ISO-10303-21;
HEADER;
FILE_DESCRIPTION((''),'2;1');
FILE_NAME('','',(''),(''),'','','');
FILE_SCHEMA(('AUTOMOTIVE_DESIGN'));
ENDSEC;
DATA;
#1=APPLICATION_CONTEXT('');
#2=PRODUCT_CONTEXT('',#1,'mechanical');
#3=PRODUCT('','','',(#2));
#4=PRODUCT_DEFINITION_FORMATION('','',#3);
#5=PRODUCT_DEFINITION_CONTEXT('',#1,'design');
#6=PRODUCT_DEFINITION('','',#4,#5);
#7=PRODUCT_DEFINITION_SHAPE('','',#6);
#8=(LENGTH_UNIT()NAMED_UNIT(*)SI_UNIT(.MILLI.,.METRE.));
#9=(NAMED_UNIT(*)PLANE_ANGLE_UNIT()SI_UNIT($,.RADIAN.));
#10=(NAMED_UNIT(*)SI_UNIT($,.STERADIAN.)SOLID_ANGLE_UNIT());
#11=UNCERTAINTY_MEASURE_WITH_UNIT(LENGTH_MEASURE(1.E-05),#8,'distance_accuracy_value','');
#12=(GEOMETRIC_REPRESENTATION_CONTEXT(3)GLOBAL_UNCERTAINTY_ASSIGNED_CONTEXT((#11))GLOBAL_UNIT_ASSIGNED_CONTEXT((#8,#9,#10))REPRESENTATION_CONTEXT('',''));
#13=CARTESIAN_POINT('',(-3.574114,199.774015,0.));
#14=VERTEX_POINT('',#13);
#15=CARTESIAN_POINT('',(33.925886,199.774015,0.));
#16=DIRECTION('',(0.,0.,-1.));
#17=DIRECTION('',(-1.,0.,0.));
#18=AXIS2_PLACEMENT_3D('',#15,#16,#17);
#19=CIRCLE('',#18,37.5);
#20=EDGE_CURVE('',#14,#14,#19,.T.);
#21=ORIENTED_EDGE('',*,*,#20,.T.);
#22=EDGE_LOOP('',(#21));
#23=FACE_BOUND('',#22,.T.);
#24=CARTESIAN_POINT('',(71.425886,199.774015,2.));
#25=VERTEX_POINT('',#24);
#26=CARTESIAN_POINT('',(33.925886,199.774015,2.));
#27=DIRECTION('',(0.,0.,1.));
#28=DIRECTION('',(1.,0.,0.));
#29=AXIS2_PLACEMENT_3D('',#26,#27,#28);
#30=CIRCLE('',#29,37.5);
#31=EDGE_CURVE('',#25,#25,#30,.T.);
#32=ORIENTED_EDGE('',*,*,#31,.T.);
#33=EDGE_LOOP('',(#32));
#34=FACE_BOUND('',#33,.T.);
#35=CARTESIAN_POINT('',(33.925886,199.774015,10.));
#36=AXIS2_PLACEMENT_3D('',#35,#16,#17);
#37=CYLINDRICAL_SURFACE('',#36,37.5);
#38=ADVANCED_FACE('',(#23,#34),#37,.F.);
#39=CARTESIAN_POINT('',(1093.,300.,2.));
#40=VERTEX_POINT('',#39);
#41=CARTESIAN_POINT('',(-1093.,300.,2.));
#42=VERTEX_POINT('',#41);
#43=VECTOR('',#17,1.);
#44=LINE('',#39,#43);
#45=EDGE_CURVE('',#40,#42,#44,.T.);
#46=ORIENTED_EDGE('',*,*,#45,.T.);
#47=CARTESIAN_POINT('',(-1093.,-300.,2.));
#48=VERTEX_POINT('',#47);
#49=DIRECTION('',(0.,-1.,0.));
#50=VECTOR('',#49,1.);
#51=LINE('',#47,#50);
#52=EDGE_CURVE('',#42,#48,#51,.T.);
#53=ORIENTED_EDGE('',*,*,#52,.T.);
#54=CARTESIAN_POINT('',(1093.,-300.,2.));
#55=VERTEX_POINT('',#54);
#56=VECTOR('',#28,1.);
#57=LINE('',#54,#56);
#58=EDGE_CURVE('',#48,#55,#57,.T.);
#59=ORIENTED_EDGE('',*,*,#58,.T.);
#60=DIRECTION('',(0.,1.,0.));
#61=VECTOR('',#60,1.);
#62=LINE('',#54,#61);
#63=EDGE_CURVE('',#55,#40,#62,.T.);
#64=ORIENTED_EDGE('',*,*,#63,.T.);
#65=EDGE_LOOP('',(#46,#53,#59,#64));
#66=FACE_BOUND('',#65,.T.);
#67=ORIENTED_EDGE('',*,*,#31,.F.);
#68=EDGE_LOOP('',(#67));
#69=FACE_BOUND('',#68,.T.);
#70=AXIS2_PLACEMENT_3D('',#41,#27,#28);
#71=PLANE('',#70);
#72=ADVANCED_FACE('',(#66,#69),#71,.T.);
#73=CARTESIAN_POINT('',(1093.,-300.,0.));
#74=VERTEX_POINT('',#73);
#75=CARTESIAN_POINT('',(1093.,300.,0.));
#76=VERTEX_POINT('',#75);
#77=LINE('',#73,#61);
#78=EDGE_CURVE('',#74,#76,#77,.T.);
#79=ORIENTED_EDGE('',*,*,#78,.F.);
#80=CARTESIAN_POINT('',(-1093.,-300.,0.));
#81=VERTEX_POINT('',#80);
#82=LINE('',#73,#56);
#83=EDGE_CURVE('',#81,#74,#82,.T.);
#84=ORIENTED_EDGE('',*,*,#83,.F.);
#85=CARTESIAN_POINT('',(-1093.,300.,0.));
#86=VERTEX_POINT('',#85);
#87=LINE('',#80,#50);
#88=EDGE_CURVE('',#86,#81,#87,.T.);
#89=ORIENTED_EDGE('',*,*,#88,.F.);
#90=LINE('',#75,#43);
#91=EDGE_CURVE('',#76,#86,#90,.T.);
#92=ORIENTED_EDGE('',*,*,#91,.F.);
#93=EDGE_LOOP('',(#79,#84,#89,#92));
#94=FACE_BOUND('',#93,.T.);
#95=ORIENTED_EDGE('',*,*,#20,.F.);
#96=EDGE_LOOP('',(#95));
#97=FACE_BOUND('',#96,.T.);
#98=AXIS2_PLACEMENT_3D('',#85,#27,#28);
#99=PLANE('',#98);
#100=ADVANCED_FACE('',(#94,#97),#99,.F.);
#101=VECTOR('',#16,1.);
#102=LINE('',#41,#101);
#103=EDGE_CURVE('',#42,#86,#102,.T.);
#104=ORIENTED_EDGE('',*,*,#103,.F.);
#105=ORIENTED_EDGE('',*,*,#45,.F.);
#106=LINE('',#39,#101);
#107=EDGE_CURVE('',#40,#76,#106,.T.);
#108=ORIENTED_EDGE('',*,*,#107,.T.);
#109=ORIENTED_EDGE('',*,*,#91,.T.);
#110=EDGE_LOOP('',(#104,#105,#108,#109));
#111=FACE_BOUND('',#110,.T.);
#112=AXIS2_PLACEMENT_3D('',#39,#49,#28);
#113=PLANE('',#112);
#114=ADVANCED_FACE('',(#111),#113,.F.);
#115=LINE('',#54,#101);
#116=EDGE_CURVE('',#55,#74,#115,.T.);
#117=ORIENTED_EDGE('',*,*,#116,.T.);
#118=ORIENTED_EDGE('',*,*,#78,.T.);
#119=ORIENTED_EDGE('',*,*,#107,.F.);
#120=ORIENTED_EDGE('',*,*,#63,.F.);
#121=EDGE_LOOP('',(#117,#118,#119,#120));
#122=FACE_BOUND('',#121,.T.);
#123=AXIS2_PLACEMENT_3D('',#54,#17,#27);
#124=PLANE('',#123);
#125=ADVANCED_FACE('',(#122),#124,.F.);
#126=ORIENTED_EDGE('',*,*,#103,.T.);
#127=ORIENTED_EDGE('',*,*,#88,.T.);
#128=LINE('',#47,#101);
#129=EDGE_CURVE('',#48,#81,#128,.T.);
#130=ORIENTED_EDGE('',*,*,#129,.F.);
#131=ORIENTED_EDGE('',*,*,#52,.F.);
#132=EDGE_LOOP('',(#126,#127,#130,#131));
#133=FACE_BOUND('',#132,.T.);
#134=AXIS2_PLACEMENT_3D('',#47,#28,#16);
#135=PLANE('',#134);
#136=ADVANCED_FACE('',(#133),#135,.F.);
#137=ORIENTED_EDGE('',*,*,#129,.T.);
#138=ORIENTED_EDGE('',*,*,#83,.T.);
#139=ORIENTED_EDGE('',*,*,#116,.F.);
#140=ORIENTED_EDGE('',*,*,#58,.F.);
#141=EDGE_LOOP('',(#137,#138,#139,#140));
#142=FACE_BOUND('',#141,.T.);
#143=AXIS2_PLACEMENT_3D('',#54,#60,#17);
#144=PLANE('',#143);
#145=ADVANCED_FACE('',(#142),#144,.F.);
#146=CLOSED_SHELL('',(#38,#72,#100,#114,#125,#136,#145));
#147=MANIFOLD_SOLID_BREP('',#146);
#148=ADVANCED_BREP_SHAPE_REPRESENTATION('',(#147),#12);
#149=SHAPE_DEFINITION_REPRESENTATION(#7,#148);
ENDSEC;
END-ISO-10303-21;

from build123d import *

# Parameters (mm, degrees)
CROQUIS1_W            = 2186
CROQUIS1_H            = 600
EXTRUIR1_DEPTH        = 2
CROQUIS2_R            = 37.5
CORTAR_EXTRUIR1_DEPTH = 10


with BuildPart() as part:
    # Croquis1 → Extruir1 (new body)
    with BuildSketch(Plane.XY):
        Rectangle(CROQUIS1_W, CROQUIS1_H)
    extrude(amount=EXTRUIR1_DEPTH)

    # Croquis2 → Cortar-Extruir1 (cut)
    with BuildSketch(Plane(origin=(0, 0, 0), x_dir=(-1, 0, 0), z_dir=(0, 0, -1))):
        with Locations((-33.925885806, 199.774015156)):
            Circle(CROQUIS2_R)
    extrude(amount=-CORTAR_EXTRUIR1_DEPTH, mode=Mode.SUBTRACT)


solid = part.part
